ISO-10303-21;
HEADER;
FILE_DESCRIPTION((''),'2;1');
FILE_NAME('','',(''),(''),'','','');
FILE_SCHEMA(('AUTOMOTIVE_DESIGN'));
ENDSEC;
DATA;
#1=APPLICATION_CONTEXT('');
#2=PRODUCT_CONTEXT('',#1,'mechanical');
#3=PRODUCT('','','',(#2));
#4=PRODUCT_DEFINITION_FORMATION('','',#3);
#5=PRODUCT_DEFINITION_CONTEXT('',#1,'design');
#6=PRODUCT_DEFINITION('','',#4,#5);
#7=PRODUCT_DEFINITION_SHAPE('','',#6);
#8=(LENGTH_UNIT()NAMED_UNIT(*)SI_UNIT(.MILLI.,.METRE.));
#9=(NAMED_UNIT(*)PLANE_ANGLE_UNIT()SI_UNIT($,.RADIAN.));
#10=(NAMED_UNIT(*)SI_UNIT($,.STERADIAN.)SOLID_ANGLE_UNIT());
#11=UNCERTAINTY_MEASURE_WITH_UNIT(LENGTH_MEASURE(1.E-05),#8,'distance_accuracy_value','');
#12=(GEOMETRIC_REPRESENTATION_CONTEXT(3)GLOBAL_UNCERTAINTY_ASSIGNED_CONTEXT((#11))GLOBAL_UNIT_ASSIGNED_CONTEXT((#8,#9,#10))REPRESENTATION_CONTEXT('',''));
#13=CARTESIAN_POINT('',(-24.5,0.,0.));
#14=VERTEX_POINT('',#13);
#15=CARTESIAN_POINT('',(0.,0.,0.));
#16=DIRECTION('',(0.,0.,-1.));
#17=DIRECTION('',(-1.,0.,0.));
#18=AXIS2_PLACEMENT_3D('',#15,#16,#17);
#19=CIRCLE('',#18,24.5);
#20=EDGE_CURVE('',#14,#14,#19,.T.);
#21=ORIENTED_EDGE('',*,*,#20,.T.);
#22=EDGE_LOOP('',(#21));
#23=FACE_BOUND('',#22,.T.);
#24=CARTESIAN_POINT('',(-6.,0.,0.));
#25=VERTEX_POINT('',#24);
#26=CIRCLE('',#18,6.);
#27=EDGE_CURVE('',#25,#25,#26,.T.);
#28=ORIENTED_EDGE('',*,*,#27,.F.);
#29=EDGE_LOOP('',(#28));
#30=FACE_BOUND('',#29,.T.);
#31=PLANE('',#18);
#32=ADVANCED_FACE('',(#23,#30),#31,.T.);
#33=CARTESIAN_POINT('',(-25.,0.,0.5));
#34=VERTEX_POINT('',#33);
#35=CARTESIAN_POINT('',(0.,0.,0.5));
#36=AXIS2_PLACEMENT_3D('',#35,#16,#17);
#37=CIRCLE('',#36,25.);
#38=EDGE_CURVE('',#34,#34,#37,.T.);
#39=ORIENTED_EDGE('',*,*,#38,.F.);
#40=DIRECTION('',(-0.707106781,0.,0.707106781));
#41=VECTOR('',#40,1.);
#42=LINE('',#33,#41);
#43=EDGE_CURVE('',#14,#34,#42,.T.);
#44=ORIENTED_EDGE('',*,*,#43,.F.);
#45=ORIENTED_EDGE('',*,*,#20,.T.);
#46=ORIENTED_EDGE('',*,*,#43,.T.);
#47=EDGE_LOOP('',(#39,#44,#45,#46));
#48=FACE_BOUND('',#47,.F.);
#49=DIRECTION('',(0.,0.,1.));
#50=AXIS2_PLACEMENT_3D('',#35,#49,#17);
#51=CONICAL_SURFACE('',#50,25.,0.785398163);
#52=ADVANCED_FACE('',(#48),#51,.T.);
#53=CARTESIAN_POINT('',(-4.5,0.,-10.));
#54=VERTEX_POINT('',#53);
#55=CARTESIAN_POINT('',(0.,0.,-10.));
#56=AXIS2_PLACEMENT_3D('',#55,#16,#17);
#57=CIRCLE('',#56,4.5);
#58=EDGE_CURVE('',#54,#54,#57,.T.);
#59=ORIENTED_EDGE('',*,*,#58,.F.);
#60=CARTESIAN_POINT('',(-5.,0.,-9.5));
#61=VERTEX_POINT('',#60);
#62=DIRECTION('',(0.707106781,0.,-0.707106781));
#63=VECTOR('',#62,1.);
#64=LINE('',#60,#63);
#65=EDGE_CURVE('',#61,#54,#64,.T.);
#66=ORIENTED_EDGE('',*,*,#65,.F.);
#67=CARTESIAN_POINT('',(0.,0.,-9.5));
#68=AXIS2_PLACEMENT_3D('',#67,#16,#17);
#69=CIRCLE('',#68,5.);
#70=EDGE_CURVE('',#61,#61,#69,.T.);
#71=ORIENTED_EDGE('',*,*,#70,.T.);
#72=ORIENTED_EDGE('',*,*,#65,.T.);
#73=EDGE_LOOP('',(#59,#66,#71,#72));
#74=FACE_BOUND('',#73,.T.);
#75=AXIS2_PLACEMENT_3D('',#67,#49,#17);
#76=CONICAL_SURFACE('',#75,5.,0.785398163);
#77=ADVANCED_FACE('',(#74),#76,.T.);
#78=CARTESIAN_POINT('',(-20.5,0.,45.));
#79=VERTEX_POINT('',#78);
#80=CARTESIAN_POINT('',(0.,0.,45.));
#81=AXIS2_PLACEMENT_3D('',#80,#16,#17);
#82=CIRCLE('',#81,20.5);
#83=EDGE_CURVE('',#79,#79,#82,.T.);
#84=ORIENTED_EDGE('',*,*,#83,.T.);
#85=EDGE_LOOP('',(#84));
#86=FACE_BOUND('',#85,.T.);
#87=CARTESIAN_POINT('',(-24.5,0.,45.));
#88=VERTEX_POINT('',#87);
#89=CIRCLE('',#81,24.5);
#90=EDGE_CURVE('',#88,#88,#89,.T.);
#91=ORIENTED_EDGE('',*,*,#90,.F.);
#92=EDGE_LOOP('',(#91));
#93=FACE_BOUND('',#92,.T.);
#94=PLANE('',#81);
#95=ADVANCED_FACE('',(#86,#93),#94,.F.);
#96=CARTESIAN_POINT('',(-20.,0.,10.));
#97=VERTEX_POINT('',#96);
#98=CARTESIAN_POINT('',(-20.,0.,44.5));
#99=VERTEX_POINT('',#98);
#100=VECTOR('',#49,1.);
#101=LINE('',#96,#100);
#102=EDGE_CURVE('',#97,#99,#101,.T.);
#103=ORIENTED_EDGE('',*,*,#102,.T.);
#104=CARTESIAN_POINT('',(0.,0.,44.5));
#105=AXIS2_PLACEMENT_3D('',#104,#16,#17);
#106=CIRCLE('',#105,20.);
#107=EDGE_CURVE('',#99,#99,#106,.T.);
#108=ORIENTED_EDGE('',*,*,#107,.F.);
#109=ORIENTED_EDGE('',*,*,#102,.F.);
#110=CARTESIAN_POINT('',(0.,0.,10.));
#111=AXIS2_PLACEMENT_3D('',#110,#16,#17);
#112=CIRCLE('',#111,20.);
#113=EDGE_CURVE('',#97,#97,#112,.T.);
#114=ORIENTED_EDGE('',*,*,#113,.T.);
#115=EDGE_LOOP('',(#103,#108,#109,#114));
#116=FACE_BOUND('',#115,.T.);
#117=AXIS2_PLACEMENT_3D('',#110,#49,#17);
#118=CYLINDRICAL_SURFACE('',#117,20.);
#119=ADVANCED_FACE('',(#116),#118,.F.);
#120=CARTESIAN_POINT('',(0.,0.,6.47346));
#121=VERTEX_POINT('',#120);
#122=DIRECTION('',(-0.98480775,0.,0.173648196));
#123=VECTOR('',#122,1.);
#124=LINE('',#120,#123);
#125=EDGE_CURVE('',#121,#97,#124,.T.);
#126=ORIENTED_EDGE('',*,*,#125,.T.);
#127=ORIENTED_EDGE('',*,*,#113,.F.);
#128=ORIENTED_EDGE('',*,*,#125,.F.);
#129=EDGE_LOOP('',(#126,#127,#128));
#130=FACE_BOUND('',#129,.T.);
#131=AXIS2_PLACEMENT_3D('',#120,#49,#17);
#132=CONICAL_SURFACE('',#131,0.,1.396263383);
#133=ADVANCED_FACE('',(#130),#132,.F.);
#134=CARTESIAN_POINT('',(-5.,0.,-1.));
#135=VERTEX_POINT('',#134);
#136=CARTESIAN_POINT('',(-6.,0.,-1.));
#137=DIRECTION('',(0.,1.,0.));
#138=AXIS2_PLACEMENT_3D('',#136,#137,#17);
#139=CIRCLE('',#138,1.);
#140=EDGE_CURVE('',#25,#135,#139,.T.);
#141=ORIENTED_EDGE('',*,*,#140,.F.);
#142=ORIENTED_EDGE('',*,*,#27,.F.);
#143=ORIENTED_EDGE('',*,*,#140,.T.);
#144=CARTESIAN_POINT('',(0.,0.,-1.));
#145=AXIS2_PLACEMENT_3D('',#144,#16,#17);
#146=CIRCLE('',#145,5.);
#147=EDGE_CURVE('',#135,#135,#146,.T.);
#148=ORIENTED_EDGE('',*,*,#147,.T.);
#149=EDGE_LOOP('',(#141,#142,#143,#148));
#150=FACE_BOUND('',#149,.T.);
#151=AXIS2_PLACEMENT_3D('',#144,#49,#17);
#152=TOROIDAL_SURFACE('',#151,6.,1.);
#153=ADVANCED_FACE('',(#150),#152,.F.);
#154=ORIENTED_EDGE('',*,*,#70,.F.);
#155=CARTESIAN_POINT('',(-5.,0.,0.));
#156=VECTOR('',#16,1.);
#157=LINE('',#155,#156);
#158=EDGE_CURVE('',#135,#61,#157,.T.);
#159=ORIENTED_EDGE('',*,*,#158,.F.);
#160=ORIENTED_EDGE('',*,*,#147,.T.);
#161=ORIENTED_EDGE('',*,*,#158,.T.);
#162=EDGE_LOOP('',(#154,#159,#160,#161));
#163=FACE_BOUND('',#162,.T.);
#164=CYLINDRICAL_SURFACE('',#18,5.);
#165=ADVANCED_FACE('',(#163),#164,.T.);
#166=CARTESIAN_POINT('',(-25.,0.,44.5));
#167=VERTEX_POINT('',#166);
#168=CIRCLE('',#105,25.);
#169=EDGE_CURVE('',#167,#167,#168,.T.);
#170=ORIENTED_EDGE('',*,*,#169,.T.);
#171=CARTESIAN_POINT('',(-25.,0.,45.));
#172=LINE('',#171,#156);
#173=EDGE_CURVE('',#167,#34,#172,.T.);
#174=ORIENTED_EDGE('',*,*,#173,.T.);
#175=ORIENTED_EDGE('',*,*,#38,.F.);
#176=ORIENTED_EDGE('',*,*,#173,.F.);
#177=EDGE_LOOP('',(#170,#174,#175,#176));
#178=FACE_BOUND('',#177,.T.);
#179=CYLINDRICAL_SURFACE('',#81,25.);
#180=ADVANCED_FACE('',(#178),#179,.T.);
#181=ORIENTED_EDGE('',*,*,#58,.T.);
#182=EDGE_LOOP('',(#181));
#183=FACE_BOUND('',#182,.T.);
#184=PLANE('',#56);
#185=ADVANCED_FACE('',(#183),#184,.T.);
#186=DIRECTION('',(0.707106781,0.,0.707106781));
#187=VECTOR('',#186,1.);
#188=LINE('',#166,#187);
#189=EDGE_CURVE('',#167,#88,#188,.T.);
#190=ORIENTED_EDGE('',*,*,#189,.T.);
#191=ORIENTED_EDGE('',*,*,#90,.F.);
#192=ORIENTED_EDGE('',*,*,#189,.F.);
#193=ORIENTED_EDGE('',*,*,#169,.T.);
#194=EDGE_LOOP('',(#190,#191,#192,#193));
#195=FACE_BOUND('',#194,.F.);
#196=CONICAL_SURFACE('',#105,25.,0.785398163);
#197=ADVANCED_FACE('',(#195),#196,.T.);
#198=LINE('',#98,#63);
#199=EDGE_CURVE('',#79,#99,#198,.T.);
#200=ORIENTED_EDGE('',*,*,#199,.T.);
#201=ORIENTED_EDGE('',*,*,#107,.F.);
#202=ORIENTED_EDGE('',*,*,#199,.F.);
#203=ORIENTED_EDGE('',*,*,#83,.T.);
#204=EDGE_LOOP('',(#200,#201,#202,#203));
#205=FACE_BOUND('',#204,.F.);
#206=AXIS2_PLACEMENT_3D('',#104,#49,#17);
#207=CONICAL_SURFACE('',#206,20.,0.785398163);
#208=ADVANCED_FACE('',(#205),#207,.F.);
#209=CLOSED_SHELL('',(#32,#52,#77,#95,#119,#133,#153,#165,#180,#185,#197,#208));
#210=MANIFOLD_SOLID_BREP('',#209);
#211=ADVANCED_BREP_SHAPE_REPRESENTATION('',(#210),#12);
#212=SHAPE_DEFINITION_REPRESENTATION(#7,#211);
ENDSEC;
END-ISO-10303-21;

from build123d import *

# Parameters (mm, degrees)
F2_R    = 1
F3_SIZE = 0.5


with BuildPart() as f1:
    # F0 (on Front) → F1 (revolve)
    with BuildSketch(Plane.XZ):
        Polygon((-5, -10), (0, -10), (0, 6.47346), (-20, 10), (-20, 45), (-25, 45), (-25, 0), (-5, 0), align=None)
    revolve(axis=Axis((0, 0, -1.76327), (0, 0, -1)))

    # F2
    f2_edges = [f1.edges().sort_by_distance(p)[0] for p in [
        (5, 0, 0),
    ]]
    fillet(f2_edges, radius=F2_R)

    # F3
    f3_edges = [f1.edges().sort_by_distance(p)[0] for p in [
        (5, 0, -10),
        (25, 0, 0),
        (25, 0, 45),
        (20, 0, 45),
    ]]
    chamfer(f3_edges, length=F3_SIZE)


solid = f1.part
